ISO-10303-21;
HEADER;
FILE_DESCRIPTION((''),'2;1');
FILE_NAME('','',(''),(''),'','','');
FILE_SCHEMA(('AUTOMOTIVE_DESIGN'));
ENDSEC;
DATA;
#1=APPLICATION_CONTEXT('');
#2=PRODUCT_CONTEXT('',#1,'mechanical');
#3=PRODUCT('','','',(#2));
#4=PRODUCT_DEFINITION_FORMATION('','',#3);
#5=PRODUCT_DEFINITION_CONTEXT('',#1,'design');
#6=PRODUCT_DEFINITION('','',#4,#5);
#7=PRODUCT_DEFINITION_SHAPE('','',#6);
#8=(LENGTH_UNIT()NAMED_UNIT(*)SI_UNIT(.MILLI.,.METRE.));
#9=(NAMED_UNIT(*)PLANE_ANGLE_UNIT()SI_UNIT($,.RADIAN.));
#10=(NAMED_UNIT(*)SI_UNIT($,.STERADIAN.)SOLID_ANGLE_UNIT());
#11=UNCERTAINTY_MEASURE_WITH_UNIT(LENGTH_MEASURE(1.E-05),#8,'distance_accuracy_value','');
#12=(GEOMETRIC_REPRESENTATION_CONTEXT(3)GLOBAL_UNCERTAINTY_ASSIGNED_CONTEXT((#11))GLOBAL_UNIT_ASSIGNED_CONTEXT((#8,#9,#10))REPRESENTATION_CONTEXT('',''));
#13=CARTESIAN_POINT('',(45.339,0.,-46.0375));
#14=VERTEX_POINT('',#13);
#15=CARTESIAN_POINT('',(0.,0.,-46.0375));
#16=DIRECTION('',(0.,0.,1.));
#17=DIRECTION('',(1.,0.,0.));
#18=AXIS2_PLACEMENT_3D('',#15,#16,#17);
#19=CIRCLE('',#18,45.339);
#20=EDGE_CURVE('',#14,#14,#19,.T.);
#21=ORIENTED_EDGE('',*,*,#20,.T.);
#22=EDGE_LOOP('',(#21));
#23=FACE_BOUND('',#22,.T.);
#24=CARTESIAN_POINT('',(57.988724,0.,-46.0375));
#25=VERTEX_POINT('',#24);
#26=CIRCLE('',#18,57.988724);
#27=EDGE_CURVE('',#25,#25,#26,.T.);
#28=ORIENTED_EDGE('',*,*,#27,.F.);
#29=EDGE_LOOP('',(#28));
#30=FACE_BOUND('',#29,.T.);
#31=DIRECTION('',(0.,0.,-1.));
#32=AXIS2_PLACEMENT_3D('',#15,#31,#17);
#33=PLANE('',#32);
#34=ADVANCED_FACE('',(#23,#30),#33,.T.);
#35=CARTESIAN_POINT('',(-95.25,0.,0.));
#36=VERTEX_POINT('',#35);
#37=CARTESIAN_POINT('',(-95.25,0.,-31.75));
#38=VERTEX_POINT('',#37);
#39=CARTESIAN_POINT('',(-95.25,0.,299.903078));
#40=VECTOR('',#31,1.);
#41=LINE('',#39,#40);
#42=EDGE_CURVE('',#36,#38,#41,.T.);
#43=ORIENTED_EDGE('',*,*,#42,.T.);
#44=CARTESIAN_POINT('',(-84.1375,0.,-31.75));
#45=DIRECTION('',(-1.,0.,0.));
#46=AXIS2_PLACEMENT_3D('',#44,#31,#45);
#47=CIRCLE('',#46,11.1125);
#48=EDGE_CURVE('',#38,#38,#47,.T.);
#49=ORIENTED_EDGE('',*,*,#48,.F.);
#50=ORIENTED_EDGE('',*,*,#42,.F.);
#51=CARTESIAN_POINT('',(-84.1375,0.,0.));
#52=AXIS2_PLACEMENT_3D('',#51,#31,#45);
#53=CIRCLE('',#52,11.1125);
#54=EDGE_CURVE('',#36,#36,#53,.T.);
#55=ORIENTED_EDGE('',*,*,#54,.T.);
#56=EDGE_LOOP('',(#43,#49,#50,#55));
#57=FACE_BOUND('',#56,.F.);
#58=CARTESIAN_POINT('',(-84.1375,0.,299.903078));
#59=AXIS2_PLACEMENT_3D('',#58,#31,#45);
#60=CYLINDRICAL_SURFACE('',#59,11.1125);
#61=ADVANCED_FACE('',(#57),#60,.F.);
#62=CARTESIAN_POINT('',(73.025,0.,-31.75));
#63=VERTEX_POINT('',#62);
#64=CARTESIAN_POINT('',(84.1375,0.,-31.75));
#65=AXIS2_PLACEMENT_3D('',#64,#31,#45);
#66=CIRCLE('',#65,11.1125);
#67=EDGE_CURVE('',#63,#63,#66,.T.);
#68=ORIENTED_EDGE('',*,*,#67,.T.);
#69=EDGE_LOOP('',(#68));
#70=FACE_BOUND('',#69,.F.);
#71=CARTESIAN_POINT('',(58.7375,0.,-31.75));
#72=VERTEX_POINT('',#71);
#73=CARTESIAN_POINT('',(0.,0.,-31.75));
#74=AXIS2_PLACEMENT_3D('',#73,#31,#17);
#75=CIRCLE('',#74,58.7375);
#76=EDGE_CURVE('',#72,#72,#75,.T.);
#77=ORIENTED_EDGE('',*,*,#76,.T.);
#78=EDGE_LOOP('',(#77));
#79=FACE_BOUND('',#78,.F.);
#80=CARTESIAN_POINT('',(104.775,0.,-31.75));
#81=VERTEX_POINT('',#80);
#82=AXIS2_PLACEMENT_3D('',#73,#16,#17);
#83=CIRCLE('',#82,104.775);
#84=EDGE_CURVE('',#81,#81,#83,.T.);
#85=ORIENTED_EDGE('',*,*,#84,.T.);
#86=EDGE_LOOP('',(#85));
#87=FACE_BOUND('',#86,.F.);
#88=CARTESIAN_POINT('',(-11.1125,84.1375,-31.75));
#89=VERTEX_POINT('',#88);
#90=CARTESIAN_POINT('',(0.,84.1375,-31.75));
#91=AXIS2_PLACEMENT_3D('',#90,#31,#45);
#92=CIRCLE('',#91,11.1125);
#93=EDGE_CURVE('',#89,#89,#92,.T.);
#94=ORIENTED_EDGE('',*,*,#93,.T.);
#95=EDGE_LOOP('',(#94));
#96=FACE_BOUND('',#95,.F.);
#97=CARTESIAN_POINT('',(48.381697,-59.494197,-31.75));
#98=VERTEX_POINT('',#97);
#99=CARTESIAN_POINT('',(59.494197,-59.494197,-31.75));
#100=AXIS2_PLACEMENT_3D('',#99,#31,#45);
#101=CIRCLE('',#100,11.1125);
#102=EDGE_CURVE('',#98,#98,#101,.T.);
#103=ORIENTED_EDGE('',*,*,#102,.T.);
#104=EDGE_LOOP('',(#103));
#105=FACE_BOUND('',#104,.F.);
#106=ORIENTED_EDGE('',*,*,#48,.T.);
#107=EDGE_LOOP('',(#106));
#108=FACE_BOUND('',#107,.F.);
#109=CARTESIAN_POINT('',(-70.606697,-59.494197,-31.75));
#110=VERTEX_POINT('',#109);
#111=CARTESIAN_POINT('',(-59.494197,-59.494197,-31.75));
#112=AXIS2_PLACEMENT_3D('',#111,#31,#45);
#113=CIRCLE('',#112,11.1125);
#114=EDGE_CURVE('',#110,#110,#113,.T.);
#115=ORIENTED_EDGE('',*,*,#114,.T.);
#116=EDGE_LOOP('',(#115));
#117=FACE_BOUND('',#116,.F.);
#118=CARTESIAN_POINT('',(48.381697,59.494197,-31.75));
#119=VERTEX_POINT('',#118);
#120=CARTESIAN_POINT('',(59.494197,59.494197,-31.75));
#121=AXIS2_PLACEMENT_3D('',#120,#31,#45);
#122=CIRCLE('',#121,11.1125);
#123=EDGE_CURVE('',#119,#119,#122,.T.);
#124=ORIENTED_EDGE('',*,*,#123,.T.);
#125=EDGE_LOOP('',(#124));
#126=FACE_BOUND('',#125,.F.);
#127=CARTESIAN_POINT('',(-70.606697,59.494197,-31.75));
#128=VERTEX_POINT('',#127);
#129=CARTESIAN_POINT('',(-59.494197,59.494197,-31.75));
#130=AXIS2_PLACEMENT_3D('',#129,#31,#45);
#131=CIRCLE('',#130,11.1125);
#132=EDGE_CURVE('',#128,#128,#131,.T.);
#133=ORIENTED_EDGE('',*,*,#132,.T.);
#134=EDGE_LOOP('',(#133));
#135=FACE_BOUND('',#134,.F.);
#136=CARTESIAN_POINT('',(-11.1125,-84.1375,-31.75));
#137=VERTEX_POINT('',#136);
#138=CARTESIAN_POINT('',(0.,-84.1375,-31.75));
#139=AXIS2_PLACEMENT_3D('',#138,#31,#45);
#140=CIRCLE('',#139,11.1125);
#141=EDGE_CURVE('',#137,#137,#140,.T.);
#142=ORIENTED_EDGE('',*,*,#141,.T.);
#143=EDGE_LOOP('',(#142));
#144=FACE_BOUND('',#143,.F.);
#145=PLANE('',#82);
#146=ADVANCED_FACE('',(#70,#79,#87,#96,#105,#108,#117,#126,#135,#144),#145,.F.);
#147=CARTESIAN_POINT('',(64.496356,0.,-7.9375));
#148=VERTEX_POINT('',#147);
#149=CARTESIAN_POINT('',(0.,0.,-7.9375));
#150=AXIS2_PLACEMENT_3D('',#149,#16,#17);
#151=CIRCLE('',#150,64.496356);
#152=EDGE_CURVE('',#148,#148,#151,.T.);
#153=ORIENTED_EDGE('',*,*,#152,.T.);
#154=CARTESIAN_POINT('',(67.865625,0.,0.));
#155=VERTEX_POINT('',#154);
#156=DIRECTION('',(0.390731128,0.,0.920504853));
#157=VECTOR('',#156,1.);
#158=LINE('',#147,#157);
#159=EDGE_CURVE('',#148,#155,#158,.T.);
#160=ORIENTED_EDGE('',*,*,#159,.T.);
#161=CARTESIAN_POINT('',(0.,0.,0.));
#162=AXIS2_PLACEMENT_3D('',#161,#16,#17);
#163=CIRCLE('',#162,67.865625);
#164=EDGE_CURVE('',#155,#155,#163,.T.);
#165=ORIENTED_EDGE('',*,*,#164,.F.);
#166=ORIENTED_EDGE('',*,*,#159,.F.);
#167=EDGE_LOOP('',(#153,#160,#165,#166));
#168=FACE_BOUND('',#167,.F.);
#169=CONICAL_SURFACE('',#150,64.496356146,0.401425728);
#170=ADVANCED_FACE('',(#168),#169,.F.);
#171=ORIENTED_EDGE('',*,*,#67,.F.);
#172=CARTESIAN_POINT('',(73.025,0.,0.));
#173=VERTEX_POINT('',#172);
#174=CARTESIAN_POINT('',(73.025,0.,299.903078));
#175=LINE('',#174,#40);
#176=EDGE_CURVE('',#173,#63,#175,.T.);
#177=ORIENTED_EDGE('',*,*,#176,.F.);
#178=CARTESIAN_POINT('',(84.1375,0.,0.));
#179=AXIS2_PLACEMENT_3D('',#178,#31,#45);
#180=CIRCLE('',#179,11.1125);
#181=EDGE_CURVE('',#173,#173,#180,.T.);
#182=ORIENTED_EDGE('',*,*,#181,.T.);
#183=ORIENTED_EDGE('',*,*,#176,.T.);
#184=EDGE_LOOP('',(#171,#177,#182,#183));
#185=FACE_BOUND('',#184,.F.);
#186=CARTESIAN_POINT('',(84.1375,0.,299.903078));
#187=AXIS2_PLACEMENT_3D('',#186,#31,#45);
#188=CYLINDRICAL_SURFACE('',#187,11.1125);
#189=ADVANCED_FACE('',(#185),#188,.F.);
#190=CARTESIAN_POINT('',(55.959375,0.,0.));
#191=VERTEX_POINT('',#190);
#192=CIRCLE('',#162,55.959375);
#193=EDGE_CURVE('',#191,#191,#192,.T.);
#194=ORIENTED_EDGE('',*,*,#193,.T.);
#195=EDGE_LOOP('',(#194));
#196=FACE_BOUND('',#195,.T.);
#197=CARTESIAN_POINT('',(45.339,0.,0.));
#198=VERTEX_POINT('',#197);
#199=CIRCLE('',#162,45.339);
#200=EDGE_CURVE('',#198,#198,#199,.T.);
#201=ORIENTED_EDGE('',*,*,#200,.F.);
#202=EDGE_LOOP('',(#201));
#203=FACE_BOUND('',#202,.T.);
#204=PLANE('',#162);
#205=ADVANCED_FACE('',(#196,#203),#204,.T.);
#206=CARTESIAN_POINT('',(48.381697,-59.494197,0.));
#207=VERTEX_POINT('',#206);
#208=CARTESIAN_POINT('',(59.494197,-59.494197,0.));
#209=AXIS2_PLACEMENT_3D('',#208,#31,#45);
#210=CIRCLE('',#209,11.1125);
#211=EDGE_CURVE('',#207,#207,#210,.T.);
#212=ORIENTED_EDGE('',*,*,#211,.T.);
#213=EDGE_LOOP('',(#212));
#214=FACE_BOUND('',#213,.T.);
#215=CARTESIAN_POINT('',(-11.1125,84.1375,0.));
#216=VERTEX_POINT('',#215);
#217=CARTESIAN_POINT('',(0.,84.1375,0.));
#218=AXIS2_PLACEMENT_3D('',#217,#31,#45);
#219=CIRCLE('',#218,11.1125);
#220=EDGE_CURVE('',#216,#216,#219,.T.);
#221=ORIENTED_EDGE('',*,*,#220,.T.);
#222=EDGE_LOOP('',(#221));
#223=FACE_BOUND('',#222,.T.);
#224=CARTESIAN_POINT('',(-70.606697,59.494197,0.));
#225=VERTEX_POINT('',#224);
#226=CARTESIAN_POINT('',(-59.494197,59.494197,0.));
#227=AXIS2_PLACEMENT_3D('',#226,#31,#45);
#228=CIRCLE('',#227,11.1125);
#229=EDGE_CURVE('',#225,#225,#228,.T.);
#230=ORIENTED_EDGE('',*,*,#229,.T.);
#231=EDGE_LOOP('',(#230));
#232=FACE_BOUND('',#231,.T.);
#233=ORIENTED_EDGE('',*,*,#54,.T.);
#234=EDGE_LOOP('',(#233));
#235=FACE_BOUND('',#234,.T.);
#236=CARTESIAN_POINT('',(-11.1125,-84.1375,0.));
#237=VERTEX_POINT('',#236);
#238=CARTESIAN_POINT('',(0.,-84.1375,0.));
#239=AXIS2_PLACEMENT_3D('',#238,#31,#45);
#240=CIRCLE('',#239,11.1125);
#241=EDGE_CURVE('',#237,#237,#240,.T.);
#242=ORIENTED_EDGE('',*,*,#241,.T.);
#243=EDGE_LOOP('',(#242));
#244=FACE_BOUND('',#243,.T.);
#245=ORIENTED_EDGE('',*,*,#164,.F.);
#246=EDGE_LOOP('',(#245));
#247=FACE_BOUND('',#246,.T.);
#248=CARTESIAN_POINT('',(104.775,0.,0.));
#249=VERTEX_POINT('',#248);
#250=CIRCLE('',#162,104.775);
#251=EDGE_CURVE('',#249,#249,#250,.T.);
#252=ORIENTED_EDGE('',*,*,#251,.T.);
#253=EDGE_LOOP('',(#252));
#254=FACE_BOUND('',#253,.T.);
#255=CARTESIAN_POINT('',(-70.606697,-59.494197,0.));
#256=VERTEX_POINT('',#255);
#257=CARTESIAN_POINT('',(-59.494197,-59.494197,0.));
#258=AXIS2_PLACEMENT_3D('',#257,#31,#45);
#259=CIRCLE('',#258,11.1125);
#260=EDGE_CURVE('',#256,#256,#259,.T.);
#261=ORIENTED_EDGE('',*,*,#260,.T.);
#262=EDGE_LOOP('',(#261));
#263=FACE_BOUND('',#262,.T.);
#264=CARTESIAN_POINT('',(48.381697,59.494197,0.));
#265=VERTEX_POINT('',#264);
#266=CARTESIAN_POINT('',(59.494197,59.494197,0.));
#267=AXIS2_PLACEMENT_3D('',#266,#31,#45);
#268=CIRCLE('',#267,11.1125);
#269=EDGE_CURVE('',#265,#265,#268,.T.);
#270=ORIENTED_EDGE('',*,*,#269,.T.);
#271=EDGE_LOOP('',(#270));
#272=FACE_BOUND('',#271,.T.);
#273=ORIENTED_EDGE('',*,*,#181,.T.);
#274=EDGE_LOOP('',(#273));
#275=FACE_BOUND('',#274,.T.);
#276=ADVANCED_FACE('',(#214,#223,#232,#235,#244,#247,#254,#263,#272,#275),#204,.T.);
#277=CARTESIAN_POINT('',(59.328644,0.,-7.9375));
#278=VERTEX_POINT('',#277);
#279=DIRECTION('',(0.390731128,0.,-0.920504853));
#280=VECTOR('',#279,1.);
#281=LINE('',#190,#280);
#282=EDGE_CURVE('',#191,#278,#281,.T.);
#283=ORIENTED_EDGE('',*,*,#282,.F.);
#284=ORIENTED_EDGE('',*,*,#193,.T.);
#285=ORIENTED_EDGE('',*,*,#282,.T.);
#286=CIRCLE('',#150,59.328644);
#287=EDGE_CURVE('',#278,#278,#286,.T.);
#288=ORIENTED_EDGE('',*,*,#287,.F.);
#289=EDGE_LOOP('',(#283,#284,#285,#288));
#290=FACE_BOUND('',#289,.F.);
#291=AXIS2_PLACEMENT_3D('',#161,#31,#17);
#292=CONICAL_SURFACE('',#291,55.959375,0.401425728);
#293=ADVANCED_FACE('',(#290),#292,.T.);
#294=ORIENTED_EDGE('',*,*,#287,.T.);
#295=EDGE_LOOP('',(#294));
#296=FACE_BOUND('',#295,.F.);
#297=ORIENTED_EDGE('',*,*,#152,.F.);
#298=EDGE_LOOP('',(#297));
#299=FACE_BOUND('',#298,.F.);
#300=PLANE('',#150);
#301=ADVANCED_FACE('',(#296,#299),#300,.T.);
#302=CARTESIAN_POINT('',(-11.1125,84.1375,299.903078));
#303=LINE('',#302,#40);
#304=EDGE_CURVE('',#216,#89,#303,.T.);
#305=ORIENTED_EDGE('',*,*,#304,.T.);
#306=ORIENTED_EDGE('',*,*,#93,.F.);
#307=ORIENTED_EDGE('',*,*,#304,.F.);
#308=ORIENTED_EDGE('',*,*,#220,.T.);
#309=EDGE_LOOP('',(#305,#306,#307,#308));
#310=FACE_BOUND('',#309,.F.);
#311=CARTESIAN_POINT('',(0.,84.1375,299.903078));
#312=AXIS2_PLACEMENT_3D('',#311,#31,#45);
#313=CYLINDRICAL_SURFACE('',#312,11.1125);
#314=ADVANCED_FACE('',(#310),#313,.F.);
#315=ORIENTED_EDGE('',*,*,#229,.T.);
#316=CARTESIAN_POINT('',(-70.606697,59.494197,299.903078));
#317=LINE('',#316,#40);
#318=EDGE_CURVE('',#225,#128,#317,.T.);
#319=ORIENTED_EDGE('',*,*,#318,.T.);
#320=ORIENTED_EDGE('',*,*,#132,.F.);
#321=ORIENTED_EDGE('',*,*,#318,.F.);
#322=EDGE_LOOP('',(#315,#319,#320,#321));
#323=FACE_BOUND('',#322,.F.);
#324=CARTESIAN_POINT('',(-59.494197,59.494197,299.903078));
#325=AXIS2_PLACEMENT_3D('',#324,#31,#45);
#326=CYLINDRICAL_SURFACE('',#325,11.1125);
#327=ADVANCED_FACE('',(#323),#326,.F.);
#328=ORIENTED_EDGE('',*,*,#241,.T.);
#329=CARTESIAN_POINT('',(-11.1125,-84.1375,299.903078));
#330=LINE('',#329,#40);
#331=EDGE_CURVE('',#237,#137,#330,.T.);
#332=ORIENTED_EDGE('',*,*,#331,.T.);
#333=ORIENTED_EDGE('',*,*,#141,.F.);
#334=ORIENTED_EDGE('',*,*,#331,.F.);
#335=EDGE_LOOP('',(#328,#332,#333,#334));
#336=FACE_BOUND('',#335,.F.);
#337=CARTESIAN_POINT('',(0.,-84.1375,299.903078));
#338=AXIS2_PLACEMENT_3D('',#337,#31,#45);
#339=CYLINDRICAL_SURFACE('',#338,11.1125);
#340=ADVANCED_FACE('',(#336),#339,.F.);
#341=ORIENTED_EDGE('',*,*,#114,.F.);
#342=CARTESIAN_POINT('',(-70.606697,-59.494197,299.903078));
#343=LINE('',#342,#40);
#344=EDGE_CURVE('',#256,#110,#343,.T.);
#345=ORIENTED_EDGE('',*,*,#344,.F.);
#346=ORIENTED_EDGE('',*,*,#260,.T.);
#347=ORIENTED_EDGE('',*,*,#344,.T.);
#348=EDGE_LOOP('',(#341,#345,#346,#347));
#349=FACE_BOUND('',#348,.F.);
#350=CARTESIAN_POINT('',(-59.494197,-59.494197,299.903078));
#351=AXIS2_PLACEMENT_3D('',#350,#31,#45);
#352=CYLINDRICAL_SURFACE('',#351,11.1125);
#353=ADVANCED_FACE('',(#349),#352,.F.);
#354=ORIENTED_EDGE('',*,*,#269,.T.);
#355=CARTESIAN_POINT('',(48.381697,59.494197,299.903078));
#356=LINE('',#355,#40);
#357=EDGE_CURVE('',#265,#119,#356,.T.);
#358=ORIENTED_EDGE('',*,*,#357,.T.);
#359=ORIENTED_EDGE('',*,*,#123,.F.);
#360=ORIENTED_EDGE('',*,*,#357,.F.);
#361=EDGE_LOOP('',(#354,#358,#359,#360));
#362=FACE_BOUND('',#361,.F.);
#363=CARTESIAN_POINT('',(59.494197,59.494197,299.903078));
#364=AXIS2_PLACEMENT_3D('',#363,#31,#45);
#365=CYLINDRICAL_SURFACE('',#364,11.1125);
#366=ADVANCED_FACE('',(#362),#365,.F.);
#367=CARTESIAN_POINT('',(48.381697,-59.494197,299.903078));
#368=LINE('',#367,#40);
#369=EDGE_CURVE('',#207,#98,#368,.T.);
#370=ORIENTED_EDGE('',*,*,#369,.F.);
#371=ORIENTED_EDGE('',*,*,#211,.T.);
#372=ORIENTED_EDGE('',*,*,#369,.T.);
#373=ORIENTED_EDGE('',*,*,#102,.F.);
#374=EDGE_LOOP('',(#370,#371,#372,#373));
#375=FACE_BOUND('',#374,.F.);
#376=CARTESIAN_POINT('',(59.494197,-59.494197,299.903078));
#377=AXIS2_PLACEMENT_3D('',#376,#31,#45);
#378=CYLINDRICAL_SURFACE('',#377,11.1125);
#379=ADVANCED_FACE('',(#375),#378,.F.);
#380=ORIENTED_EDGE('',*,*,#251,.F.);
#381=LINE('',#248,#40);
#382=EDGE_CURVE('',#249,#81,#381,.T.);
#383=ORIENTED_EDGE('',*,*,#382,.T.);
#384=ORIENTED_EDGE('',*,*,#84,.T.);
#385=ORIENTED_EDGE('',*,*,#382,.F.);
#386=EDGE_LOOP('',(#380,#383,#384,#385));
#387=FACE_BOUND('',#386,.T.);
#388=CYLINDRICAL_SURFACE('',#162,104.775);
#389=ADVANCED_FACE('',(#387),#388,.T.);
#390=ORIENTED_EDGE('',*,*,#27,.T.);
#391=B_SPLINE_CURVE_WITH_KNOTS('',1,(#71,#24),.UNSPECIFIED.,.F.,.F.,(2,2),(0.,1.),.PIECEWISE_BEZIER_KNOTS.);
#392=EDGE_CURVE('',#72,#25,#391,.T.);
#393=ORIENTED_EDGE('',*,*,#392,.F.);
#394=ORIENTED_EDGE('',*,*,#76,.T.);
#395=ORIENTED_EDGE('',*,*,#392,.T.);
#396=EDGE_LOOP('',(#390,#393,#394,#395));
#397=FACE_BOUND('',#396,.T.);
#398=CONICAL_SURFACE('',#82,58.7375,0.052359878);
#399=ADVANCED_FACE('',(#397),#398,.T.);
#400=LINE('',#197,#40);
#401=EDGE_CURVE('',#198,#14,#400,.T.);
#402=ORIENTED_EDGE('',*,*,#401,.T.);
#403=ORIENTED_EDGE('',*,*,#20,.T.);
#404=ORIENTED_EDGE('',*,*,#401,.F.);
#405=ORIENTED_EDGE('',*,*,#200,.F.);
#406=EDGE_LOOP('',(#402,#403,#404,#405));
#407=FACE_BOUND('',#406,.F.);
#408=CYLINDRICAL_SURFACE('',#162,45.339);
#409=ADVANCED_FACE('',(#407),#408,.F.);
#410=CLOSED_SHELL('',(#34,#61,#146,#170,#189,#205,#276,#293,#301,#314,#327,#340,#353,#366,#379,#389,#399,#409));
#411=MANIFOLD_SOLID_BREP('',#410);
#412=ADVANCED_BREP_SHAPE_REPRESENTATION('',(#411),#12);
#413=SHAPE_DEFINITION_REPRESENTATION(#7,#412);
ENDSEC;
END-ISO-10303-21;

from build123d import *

# Parameters (mm, degrees)
F0_R     = 104.775
F1_DEPTH = 31.75
F2_R     = 58.7375
F3_DEPTH = 14.2875
F3_TAPER = 3
F4_R     = 45.339
F5_DEPTH = 46.0385001
F10_D    = 22.225


with BuildPart() as f1:
    # F0 (on Top) → F1 (new body)
    with BuildSketch(Plane.XY):
        Circle(F0_R)
    extrude(amount=-F1_DEPTH)

    # F2 (on face) → F3 (join)
    with BuildSketch(Plane(origin=(0, 0, -31.75), x_dir=(1, 0, 0), z_dir=(0, 0, -1))):
        Circle(F2_R)
    extrude(amount=F3_DEPTH, taper=F3_TAPER)

    # F4 (on face) → F5 (cut, through all)
    with BuildSketch(Plane.XY):
        Circle(F4_R)
    extrude(amount=-F5_DEPTH, mode=Mode.SUBTRACT)

    # F6 (on Front) → F8 (revolve, cut)
    with BuildSketch(Plane.XZ):
        Polygon((61.9125, -7.9375), (61.9125, 0), (55.959375, 0), (59.3286438537, -7.9375), align=None)
        Polygon((67.865625, 0), (61.9125, 0), (61.9125, -7.9375), (64.4963561463, -7.9375), align=None)
    revolve(axis=Axis((0, 0, 0), (0, 0, 1)), mode=Mode.SUBTRACT)

    # F10 (through all)
    with Locations(Plane.XY):
        with Locations((59.4941968021, 59.4941968021), (84.1375, 0), (59.4941968021, -59.4941968021), (0, -84.1375), (-59.4941968021, -59.4941968021), (-84.1375, 0), (-59.4941968021, 59.4941968021), (0, 84.1375)):
            Hole(F10_D / 2)


solid = f1.part
